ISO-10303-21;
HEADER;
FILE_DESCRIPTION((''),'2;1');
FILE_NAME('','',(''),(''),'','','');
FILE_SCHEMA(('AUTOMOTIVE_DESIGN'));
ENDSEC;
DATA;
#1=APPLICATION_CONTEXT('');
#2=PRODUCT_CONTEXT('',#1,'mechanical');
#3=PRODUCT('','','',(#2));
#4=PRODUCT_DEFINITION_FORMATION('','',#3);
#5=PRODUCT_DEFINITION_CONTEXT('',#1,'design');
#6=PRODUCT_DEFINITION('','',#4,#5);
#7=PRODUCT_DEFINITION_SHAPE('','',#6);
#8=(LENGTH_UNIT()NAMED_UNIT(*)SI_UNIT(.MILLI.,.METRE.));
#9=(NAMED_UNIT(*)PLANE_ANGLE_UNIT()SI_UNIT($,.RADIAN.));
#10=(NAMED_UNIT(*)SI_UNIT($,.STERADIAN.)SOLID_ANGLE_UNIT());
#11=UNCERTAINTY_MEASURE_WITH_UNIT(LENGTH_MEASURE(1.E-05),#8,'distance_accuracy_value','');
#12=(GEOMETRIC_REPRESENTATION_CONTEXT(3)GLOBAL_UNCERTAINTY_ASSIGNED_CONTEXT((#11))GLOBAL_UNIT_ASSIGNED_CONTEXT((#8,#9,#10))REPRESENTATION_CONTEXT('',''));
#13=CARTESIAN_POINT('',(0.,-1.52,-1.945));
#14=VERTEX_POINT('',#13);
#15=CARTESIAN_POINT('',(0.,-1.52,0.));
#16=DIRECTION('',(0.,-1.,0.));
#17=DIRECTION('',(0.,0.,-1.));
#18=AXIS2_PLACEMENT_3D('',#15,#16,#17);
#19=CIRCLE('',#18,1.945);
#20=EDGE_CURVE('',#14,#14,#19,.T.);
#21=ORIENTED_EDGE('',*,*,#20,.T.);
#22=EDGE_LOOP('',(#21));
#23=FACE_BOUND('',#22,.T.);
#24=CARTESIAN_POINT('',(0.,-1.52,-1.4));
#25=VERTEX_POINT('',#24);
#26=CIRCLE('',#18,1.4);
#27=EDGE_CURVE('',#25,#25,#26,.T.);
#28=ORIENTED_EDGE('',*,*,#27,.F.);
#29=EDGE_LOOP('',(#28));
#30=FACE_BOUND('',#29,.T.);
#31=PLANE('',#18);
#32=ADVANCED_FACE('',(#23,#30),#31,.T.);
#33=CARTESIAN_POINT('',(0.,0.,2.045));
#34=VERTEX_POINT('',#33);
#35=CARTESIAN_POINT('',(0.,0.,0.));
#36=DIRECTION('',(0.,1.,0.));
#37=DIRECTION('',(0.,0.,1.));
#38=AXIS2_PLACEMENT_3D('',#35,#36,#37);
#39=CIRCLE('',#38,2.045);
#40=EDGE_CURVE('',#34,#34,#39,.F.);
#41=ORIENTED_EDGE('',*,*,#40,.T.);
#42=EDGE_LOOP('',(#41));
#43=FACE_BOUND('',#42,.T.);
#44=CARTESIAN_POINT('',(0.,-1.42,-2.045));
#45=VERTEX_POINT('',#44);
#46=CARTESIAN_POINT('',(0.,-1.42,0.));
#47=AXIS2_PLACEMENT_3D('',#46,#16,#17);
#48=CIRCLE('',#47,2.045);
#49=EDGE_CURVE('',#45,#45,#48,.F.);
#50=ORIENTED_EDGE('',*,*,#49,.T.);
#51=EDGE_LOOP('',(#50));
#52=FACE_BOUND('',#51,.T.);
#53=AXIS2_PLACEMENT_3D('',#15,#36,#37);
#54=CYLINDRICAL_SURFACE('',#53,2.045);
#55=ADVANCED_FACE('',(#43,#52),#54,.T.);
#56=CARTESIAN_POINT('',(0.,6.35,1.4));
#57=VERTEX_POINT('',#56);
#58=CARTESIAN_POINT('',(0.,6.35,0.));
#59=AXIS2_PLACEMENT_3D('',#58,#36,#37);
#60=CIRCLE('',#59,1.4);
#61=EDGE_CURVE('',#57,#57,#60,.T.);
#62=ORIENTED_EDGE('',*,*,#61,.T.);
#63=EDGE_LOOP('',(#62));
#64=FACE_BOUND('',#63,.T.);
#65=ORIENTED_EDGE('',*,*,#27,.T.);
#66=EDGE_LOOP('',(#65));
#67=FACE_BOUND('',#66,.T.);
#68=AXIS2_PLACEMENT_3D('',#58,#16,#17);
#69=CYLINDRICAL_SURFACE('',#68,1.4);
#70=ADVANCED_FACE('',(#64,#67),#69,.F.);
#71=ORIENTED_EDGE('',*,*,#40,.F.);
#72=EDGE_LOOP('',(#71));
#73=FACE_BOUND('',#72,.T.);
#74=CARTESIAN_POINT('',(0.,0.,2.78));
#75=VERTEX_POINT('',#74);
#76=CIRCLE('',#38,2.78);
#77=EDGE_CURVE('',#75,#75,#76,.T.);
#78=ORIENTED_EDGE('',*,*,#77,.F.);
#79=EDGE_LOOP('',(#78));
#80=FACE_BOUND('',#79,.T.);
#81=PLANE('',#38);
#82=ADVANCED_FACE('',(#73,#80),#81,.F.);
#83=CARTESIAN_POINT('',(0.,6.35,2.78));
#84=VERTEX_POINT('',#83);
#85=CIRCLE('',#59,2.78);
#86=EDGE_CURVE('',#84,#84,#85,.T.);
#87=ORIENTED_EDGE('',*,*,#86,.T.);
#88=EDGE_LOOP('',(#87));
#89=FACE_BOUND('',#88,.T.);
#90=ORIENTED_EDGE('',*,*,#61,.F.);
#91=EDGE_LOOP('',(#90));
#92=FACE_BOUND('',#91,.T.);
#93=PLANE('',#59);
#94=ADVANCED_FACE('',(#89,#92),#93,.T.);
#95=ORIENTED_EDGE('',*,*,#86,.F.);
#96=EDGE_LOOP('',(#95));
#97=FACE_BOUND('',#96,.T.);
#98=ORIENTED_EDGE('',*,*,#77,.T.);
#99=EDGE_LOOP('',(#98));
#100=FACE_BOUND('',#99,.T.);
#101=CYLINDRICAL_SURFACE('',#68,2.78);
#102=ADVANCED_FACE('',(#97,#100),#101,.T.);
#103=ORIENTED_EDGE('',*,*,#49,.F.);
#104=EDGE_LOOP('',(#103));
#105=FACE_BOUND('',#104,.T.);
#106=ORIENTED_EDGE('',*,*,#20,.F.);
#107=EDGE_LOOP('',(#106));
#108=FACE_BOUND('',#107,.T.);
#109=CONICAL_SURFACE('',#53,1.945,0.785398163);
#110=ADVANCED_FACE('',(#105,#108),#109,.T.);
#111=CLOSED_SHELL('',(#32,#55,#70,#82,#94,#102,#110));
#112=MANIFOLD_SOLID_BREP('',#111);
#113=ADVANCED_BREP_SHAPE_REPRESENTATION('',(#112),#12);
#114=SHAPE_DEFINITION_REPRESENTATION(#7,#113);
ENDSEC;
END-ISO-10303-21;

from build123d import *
from build123d.topology import SkipClean

# Parameters (mm, degrees)
SKETCH1_R           = 2.78
SKETCH1_R_2         = 1.4
BOSS_EXTRUDE1_DEPTH = 6.35
BOSS_EXTRUDE2_START = 1.52
SKETCH2_R           = 2.045
SKETCH2_R_2         = 1.4
BOSS_EXTRUDE2_DEPTH = 1.52
CHAMFER1_SIZE       = 0.1


with BuildPart() as part:
    # Sketch1 → Boss-Extrude1 (new body)
    with BuildSketch(Plane(origin=(0, 0, 0), x_dir=(1, 0, 0), z_dir=(0, 1, 0))):
        with Locations(Location((0, 0, 0), (0, 0, 270))):
            Circle(SKETCH1_R)
        with Locations(Location((0, 0, 0), (0, 0, 270))):
            Circle(SKETCH1_R_2, mode=Mode.SUBTRACT)
    extrude(amount=BOSS_EXTRUDE1_DEPTH)

    # Sketch2 → Boss-Extrude2 (add)
    with SkipClean():  # the faces are left unmerged after this step: merging them gives an invalid solid
        with BuildSketch(Plane.XZ.offset(BOSS_EXTRUDE2_START)):
            with Locations(Location((0, 0, 0), (0, 0, 90))):
                Circle(SKETCH2_R)
            with Locations(Location((0, 0, 0), (0, 0, 270))):
                Circle(SKETCH2_R_2, mode=Mode.SUBTRACT)
        extrude(amount=-BOSS_EXTRUDE2_DEPTH)

    # Chamfer1
    chamfer1_edges = [part.edges().sort_by_distance(p)[0] for p in [
        (0, -1.52, -2.045),
    ]]
    chamfer(chamfer1_edges, length=CHAMFER1_SIZE)


solid = part.part
